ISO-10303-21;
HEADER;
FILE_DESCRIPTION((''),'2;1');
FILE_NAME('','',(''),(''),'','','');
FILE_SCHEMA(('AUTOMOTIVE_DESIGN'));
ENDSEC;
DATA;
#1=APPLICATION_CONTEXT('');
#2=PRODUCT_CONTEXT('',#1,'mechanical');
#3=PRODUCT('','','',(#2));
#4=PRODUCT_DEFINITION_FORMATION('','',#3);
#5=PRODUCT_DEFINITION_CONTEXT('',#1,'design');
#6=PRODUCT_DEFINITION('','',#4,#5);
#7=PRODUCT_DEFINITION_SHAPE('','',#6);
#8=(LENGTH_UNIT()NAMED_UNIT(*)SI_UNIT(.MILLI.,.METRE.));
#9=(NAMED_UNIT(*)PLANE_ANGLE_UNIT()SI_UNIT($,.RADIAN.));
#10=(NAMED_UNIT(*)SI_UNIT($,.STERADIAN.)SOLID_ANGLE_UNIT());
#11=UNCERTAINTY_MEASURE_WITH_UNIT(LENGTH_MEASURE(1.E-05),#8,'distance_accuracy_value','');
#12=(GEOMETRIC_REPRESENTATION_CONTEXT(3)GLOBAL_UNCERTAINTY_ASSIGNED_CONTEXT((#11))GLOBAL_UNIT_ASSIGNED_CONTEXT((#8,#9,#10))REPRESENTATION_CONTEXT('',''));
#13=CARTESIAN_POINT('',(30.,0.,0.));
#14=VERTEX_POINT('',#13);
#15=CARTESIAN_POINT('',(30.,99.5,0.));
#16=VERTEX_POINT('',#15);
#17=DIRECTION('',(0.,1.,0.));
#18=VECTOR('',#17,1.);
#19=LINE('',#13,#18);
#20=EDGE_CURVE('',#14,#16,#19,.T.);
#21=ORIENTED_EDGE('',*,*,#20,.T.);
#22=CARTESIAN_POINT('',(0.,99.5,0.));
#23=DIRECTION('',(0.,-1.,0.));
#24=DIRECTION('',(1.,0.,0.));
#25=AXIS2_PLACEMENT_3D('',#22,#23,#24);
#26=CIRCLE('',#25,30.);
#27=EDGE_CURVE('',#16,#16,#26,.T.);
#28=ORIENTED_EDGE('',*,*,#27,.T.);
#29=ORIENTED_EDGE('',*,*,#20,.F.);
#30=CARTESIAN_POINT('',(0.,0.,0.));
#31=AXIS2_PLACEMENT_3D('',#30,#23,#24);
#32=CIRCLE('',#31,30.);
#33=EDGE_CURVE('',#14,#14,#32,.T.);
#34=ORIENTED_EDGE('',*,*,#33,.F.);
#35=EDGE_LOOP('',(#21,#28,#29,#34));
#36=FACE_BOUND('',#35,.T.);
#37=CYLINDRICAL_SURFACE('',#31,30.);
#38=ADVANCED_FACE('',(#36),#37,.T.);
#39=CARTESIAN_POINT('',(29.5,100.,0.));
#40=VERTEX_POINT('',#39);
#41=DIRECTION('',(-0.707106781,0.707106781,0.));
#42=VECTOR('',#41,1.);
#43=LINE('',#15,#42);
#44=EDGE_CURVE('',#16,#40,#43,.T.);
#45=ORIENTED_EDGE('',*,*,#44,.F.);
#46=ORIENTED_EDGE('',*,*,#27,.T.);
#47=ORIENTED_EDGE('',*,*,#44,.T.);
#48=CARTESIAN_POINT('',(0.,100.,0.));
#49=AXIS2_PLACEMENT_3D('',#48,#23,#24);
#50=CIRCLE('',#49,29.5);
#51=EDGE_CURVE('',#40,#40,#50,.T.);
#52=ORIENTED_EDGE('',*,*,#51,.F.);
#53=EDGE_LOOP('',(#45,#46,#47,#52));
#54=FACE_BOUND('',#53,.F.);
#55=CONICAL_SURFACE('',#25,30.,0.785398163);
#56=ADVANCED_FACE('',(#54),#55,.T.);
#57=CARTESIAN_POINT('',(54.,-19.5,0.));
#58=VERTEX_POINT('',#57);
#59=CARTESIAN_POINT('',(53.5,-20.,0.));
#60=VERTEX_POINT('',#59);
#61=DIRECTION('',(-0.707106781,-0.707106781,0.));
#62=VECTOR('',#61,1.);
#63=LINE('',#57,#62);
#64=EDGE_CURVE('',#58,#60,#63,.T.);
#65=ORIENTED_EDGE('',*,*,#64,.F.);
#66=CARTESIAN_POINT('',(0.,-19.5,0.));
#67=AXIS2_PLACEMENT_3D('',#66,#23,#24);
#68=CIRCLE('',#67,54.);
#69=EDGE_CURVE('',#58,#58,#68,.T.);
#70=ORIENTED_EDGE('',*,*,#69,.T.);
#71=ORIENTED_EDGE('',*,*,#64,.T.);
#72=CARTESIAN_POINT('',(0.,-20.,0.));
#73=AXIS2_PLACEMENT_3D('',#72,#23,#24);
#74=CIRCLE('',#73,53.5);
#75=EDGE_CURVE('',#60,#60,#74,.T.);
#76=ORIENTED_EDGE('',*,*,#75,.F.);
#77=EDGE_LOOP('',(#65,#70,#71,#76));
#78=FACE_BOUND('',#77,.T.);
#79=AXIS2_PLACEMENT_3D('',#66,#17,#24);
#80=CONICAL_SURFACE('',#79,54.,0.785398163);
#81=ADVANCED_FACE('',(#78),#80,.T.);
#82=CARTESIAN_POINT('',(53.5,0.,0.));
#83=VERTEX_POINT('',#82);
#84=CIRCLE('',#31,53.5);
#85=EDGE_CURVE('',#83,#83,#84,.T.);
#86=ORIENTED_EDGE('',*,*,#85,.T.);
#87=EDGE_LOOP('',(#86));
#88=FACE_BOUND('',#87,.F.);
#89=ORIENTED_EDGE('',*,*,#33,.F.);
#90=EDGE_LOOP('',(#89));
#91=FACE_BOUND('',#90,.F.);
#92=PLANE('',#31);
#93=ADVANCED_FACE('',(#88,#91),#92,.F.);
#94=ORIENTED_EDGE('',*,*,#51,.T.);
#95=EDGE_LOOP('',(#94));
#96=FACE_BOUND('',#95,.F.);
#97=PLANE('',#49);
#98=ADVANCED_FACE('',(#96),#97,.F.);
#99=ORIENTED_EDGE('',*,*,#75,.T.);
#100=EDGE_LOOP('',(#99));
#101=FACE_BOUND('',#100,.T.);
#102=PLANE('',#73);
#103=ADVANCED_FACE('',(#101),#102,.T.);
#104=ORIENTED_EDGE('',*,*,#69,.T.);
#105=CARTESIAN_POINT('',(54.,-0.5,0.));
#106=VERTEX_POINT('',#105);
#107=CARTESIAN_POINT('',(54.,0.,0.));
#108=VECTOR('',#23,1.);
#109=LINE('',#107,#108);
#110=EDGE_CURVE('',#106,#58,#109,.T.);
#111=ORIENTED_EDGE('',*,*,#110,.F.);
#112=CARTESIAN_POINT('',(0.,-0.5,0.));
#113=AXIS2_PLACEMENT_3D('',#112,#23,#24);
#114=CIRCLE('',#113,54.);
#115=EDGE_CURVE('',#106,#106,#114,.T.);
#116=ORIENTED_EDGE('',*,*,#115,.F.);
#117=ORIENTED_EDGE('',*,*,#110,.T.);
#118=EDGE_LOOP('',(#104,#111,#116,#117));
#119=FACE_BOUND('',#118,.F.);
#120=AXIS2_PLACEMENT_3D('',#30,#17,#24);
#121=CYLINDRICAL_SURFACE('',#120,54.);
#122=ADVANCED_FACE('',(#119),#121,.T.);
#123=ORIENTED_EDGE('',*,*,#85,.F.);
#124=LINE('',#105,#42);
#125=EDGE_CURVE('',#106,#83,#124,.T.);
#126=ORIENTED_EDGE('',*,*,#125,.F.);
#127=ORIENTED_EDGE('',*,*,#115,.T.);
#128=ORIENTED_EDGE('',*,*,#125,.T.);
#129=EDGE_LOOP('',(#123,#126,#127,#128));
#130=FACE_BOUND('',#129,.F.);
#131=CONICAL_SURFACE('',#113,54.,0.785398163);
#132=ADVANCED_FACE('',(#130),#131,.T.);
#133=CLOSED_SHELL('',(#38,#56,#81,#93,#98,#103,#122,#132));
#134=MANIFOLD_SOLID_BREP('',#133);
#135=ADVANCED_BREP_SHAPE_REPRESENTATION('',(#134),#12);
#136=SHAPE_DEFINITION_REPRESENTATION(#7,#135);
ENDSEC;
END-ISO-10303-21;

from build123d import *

# Parameters (mm, degrees)
F0_R     = 54
F0_R_2   = 30
F1_DEPTH = 20
F2_DEPTH = 100
F3_SIZE  = 0.5


with BuildPart() as f1:
    # F0 (on Front) → F1 (new body)
    with BuildSketch(Plane.XZ):
        Circle(F0_R)
        Circle(F0_R_2, mode=Mode.SUBTRACT)
        Circle(F0_R_2)
    extrude(amount=F1_DEPTH)

    # F0 (on Front) → F2 (join)
    with BuildSketch(Plane.XZ):
        Circle(F0_R_2)
    extrude(amount=-F2_DEPTH)

    # F3
    f3_edges = [f1.edges().sort_by_distance(p)[0] for p in [
        (-54, -20, 0),
        (54, -10, 0),
        (-54, 0, 0),
        (-30, 100, 0),
    ]]
    chamfer(f3_edges, length=F3_SIZE)


solid = f1.part
